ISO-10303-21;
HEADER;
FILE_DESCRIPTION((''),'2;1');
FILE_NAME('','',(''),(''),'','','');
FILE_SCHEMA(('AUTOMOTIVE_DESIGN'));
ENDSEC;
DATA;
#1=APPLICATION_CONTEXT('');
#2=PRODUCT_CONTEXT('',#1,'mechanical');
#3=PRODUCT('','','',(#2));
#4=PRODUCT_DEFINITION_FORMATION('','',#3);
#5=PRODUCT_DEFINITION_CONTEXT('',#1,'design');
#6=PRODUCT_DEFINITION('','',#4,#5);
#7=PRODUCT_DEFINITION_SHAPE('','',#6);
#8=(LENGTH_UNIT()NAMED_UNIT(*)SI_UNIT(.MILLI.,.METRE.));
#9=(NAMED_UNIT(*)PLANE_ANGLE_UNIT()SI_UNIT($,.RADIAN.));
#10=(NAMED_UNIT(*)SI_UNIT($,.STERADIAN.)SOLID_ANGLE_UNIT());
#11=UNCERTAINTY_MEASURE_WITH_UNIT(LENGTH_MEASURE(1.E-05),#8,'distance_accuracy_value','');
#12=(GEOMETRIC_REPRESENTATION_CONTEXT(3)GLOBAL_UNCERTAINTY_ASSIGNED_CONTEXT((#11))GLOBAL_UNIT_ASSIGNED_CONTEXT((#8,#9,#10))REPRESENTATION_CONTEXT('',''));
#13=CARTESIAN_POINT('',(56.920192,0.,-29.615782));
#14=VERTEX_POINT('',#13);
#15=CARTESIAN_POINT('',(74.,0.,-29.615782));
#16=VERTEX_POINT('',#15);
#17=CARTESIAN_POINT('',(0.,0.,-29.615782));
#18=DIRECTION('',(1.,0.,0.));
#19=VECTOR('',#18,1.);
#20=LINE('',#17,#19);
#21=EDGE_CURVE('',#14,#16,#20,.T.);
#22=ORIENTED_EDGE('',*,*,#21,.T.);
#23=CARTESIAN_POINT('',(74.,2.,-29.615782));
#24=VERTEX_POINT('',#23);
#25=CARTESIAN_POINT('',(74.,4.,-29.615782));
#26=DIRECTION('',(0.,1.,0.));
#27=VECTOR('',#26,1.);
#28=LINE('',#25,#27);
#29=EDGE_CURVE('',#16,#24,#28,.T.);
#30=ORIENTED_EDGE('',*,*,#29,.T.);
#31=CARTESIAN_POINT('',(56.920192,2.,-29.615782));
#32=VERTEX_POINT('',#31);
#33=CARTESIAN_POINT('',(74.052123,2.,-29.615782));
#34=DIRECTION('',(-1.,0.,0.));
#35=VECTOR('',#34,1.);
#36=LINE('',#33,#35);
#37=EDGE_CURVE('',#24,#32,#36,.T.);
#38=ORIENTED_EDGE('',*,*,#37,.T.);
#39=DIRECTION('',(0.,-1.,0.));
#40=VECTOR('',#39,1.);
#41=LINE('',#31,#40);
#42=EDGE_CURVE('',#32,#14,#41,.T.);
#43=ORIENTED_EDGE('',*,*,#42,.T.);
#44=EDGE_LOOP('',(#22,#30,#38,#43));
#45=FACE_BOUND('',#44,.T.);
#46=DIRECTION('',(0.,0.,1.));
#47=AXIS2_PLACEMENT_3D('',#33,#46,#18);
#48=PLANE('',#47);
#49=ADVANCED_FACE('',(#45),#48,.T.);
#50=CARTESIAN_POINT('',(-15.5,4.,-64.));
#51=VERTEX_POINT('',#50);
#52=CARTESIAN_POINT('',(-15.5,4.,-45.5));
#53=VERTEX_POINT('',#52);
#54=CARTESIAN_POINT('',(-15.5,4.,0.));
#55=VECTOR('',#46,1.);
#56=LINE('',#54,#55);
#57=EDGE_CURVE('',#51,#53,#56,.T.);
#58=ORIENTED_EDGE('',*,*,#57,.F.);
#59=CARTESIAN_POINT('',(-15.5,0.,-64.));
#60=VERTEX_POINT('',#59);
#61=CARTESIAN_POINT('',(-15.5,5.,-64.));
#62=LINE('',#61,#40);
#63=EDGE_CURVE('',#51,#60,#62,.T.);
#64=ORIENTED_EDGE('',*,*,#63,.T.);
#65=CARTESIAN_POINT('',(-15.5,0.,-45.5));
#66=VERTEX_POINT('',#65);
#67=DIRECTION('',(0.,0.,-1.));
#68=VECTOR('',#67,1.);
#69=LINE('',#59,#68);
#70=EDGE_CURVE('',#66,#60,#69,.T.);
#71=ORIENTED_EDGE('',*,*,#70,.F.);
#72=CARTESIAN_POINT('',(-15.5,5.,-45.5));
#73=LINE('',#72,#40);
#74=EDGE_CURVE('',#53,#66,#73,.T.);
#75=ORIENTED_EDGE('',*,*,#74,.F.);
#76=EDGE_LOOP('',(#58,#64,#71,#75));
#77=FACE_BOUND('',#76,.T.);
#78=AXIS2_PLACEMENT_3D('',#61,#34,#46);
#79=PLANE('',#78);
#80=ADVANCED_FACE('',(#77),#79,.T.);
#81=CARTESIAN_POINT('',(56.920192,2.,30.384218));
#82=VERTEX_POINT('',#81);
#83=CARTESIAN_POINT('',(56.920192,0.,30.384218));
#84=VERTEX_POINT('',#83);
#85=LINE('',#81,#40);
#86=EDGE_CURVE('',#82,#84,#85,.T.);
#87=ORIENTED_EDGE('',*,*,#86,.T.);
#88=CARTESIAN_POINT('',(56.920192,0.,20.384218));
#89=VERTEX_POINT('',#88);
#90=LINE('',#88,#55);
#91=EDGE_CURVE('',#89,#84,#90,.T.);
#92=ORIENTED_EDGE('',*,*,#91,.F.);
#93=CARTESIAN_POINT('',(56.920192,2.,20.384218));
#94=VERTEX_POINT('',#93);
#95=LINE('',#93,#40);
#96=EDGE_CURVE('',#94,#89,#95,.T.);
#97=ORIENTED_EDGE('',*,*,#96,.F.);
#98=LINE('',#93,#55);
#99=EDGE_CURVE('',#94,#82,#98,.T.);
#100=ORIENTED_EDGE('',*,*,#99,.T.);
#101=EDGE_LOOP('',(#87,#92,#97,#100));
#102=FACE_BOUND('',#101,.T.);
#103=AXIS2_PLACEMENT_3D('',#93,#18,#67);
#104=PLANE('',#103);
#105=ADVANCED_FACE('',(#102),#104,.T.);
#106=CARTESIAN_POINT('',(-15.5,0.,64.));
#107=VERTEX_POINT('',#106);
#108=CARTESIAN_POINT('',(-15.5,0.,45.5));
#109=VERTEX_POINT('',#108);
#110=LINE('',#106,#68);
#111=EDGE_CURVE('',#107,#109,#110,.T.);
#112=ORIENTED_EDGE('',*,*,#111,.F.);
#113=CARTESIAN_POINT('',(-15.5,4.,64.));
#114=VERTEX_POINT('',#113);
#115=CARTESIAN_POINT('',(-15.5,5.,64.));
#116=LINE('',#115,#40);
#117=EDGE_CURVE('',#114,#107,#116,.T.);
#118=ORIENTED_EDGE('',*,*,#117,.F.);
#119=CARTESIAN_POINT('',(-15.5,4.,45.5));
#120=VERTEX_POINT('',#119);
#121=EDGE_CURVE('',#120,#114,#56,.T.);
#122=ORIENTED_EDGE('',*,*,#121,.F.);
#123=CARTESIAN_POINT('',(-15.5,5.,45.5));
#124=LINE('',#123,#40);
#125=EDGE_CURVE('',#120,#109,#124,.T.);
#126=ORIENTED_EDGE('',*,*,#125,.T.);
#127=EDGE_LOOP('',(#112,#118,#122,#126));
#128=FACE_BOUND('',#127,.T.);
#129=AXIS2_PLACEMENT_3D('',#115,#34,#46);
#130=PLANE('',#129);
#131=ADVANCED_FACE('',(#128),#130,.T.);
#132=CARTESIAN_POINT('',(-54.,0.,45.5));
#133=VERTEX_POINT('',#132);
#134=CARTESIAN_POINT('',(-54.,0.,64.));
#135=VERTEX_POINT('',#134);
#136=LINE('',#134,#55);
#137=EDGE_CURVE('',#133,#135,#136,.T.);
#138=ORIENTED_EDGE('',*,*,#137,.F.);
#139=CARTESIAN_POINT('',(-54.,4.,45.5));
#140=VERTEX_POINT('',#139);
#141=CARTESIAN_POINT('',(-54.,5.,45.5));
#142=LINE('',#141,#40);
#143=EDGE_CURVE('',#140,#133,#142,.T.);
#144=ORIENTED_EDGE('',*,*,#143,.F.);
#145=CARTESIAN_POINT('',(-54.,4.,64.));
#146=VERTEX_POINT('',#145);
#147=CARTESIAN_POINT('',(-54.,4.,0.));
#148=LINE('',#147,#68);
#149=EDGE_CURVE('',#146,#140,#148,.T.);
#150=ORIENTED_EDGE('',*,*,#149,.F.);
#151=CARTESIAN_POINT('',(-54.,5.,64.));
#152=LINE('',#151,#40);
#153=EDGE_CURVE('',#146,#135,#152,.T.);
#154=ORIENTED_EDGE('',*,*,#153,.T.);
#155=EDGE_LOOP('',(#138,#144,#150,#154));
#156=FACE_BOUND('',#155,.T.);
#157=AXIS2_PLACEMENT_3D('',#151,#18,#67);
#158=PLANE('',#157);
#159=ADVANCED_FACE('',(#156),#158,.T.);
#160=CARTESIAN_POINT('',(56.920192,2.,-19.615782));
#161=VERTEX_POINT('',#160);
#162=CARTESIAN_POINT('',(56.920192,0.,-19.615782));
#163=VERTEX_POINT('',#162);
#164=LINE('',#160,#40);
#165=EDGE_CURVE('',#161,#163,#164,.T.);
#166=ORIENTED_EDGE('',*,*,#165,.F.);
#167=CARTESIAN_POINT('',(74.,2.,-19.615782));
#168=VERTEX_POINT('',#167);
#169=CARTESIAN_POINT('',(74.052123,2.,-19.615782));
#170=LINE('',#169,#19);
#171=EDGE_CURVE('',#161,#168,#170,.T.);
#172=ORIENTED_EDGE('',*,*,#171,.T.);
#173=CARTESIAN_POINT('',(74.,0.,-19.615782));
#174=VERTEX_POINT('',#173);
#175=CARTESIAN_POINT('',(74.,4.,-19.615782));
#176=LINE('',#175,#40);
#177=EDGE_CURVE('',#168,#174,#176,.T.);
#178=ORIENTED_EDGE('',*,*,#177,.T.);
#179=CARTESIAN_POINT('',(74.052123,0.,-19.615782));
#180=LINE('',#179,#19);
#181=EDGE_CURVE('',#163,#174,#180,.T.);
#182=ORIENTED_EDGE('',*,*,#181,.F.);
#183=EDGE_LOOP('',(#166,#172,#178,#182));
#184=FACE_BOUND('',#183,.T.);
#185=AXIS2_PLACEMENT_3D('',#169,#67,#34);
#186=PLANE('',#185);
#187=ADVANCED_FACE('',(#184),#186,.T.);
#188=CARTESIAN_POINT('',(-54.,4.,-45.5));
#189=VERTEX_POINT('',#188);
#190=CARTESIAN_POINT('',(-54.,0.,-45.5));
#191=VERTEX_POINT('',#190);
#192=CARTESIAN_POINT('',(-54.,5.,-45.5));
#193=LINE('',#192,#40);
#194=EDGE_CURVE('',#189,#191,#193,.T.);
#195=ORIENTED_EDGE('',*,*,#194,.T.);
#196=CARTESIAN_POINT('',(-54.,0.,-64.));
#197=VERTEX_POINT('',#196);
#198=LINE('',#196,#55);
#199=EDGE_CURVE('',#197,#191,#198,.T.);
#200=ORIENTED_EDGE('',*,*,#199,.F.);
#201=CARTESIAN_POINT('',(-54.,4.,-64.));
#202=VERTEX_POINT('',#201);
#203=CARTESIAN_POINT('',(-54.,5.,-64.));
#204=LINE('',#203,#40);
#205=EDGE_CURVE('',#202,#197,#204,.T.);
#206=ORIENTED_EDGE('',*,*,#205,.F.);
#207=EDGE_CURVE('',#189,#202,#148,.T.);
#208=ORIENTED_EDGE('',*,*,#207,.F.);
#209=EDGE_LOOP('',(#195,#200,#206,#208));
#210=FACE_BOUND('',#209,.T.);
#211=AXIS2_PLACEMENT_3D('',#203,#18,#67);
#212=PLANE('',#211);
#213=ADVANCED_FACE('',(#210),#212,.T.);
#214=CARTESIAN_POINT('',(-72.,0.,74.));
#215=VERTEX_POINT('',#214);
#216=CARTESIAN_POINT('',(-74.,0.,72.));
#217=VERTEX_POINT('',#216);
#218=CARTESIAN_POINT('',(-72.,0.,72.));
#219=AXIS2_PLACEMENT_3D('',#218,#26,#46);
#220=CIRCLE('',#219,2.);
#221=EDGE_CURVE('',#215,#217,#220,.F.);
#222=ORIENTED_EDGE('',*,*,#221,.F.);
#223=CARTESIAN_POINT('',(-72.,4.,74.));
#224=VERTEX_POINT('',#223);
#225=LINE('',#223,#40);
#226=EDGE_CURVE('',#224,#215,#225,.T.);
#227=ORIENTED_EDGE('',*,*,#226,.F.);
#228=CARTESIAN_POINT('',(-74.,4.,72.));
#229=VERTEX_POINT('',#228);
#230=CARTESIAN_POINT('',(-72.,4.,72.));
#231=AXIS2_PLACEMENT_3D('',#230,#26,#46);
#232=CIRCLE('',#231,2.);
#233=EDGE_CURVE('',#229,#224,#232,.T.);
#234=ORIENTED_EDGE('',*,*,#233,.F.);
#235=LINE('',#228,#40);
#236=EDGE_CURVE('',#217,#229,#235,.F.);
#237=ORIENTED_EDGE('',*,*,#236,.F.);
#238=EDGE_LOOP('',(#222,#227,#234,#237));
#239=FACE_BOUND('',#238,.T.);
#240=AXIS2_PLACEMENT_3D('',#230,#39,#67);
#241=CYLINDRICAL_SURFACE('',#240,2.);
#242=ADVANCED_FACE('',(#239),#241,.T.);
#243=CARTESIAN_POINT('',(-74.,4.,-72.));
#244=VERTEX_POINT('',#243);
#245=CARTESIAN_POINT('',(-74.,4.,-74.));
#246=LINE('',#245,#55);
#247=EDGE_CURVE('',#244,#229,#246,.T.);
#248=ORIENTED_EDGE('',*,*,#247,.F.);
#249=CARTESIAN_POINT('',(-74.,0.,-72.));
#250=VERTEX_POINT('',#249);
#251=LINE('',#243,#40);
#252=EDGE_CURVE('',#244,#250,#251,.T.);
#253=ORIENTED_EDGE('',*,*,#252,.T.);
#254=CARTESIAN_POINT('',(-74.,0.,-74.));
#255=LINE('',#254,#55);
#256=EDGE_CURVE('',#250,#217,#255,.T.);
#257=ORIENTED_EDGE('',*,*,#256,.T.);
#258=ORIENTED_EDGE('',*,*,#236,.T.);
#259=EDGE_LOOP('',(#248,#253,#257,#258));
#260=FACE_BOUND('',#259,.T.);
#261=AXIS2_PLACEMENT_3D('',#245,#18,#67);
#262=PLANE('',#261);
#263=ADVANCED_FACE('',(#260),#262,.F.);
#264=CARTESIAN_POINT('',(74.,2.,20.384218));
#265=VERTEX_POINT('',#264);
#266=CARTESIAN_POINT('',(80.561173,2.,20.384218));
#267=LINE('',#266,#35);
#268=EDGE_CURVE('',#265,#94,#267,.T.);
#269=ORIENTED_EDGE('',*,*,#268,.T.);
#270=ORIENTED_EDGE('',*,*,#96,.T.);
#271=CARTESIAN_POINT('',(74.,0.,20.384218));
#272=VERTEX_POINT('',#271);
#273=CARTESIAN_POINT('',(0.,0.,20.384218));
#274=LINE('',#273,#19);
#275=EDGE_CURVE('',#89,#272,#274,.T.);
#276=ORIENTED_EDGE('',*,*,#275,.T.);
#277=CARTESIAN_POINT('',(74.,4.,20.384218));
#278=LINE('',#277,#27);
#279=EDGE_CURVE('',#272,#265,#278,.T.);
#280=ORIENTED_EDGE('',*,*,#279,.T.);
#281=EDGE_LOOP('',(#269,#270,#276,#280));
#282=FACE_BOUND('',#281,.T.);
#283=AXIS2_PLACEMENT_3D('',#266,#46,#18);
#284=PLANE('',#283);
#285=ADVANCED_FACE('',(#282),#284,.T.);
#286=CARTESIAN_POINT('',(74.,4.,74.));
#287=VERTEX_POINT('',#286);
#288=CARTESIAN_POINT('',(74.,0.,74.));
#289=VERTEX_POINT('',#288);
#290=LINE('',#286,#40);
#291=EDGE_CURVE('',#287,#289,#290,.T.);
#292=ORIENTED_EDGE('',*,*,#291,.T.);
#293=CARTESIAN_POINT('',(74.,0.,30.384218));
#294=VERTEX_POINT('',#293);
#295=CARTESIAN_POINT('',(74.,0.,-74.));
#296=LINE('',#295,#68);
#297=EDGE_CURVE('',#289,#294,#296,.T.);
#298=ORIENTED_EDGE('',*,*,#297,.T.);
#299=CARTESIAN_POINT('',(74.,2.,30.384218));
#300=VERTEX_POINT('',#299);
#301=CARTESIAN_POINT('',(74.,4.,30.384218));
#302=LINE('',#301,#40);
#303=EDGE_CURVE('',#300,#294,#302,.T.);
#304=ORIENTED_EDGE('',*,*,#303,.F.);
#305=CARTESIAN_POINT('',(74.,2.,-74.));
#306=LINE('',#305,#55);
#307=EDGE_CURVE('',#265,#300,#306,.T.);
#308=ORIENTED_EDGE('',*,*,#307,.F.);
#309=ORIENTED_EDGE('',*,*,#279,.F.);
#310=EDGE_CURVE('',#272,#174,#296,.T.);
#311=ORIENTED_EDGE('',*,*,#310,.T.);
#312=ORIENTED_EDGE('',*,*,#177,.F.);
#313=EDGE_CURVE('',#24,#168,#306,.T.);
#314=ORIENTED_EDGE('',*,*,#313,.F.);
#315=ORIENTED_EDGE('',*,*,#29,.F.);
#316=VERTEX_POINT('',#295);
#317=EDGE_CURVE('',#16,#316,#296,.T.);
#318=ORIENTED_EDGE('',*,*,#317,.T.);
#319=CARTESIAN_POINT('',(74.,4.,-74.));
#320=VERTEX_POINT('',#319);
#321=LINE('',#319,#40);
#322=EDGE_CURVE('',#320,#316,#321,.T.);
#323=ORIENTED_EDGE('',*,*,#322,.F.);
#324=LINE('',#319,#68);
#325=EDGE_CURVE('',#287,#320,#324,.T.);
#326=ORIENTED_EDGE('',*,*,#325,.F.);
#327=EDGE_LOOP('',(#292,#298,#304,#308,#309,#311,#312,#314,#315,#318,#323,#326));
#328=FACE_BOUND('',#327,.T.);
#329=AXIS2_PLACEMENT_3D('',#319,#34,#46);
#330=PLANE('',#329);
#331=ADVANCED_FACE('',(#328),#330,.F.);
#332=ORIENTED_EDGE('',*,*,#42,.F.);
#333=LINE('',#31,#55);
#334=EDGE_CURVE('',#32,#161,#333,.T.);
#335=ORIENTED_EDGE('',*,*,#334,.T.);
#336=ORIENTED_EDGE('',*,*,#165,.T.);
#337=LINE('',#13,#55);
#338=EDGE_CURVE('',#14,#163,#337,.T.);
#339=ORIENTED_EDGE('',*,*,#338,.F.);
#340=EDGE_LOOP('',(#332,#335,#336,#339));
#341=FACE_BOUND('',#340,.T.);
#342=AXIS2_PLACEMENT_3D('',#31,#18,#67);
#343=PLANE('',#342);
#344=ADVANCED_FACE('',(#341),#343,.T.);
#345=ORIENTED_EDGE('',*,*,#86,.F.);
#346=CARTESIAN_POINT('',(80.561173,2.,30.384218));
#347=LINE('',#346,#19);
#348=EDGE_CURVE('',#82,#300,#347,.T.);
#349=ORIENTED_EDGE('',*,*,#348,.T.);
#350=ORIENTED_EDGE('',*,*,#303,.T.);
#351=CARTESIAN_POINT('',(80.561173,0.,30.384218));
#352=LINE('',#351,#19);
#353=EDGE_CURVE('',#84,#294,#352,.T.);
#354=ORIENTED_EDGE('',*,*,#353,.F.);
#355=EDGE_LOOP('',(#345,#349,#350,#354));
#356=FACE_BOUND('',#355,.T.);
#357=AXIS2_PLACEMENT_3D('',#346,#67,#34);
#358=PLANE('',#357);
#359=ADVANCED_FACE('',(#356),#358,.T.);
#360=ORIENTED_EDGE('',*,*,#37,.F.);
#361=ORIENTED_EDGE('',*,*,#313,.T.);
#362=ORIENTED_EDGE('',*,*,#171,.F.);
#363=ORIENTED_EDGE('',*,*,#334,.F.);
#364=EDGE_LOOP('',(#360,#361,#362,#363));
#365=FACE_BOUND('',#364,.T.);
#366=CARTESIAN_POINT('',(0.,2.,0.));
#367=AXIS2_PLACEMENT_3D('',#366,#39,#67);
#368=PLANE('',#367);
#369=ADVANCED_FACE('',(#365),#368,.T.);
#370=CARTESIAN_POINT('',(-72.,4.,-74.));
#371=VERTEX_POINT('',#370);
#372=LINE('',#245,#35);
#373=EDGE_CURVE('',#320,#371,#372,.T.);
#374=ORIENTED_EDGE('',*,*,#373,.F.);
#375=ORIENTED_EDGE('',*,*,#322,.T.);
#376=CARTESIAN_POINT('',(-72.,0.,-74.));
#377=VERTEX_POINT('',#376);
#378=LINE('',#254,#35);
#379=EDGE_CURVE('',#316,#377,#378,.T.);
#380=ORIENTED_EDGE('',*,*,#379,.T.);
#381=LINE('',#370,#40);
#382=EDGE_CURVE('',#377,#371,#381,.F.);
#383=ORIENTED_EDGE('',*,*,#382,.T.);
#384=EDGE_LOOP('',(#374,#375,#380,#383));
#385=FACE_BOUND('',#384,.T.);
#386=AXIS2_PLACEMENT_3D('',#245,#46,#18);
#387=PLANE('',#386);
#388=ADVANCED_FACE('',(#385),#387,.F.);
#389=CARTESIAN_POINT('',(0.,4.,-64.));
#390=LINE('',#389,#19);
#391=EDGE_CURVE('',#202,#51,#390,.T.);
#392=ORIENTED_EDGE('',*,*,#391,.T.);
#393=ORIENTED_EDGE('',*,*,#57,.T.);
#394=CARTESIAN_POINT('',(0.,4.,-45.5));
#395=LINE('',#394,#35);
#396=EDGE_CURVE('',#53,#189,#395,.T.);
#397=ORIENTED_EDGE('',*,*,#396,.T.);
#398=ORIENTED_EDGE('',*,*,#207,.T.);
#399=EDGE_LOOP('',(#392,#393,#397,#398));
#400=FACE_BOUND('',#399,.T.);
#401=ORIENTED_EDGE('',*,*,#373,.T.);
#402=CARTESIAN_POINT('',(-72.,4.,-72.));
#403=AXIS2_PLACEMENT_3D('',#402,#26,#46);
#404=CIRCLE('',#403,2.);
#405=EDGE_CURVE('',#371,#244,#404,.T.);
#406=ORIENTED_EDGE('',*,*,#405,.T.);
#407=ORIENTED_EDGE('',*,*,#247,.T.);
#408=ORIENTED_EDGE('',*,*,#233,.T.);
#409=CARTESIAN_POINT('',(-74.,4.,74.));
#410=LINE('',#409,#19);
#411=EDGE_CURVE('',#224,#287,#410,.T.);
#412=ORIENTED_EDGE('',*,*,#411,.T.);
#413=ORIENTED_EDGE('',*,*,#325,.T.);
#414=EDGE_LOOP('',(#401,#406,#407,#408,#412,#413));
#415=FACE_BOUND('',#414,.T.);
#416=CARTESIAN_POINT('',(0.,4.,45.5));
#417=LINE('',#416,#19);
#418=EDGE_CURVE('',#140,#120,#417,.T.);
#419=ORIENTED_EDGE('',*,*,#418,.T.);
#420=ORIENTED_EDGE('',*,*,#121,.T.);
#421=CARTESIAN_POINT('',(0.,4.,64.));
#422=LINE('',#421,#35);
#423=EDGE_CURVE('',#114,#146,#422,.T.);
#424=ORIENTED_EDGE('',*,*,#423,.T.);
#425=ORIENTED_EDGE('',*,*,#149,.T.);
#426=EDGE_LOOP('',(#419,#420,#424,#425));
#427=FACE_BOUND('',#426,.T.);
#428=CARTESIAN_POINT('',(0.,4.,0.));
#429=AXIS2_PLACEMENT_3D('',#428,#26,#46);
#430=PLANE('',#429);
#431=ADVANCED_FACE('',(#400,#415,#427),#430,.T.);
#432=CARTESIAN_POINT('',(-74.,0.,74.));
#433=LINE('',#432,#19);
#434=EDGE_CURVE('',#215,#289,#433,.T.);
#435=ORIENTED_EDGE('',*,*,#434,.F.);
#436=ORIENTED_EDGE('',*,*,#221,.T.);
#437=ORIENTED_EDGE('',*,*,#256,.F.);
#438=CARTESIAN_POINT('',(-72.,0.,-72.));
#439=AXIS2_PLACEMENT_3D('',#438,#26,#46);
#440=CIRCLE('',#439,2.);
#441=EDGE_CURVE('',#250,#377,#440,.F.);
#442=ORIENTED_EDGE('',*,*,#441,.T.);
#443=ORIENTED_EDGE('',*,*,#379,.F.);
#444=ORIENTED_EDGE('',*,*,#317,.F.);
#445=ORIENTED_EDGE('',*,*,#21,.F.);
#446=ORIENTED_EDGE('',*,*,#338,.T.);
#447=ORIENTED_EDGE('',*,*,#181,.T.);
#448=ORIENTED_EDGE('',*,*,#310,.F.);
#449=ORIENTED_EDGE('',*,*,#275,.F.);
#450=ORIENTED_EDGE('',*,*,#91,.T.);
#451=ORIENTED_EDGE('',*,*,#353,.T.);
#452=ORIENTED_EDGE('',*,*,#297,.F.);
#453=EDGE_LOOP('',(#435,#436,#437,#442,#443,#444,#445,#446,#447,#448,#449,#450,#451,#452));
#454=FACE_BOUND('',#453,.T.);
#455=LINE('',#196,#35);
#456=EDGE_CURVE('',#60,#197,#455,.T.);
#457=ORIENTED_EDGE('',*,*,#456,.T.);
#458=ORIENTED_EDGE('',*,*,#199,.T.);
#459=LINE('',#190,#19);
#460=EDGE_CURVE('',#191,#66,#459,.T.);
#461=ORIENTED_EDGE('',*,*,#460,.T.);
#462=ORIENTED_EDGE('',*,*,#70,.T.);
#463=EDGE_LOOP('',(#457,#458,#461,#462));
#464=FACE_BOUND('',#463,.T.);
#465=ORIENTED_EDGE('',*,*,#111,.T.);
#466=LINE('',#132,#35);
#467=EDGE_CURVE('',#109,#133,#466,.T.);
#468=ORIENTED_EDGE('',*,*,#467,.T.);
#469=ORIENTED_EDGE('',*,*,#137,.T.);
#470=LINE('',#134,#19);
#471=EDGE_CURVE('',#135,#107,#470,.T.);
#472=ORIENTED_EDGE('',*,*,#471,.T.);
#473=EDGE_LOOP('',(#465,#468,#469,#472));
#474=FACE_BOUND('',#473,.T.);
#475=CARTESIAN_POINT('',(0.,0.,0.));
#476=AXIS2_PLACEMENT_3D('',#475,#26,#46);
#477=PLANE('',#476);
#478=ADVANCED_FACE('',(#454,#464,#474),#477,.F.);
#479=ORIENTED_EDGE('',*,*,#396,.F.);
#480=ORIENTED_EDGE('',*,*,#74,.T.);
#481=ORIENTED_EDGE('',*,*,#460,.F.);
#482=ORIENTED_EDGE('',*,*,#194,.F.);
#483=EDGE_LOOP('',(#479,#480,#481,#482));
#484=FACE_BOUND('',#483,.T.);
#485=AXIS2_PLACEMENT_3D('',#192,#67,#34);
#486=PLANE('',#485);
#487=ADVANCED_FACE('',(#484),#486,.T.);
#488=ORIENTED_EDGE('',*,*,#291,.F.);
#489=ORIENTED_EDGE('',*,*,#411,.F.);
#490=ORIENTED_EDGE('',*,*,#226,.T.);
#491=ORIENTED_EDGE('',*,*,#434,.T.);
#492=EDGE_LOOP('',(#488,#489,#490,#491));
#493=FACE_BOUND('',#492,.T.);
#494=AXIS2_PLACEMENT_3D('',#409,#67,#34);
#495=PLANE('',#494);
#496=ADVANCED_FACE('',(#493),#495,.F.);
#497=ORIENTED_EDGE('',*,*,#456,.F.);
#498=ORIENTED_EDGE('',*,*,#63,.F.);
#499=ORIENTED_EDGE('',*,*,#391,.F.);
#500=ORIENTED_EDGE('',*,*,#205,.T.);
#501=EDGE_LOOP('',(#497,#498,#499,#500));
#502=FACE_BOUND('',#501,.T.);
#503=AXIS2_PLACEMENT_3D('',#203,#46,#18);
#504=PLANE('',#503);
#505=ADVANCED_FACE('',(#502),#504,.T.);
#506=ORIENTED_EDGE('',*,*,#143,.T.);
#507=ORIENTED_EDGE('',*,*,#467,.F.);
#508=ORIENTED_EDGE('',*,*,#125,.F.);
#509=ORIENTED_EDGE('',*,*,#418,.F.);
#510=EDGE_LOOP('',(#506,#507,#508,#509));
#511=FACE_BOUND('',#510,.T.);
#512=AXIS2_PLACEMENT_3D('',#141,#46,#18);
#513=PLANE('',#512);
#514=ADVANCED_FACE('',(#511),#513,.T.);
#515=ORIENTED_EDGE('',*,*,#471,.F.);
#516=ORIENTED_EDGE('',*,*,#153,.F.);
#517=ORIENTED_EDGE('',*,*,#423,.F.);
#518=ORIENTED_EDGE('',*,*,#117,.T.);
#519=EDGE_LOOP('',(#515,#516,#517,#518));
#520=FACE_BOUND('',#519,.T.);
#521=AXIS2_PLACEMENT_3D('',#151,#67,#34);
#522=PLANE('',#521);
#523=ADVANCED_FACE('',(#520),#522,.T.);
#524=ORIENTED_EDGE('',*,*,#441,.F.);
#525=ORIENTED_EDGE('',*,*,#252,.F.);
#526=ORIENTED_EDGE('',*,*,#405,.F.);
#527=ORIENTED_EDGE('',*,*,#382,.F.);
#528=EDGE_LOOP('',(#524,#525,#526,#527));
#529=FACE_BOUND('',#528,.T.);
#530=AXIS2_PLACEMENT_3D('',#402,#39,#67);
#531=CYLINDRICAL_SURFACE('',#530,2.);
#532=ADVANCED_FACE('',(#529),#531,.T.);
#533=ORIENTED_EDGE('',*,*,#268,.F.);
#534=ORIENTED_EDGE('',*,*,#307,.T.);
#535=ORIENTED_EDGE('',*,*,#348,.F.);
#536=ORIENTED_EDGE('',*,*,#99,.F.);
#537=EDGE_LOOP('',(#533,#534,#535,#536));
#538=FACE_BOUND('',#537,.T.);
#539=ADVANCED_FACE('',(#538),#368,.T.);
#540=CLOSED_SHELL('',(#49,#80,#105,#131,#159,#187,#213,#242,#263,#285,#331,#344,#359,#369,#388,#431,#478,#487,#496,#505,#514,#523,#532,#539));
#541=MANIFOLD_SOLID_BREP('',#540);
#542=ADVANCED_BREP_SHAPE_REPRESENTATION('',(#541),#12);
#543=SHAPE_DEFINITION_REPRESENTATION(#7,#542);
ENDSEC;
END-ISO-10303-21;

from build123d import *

# Parameters (mm, degrees)
ESQUISSE1_W              = 148
ESQUISSE1_H              = 148
BOSS_EXTRU_1_DEPTH       = 4
CONG_1_R                 = 2
ESQUISSE12_W             = 23.640980831
ESQUISSE12_H             = 10
ESQUISSE12_W_2           = 17.131931469
ENL_V_MAT_EXTRU_12_DEPTH = 2
ESQUISSE13_W             = 38.5
ESQUISSE13_H             = 18.5
ENL_V_MAT_EXTRU_13_DEPTH = 5


with BuildPart() as part:
    # Esquisse1 → Boss.-Extru.1 (new body)
    with BuildSketch(Plane(origin=(0, 0, 0), x_dir=(1, 0, 0), z_dir=(0, 1, 0))):
        Rectangle(ESQUISSE1_W, ESQUISSE1_H)
    extrude(amount=BOSS_EXTRU_1_DEPTH)

    # Congé1
    cong_1_edges = [part.edges().sort_by_distance(p)[0] for p in [
        (-74, 2, 74),
        (-74, 2, -74),
    ]]
    fillet(cong_1_edges, radius=CONG_1_R)

    # Esquisse12 → Enlèv. mat.-Extru.12 (cut)
    with BuildSketch(Plane(origin=(0, 0, 0), x_dir=(1, 0, 0), z_dir=(0, 1, 0))):
        with Locations((68.740682109, -25.384218458)):
            Rectangle(ESQUISSE12_W, ESQUISSE12_H)
        with Locations((65.486157429, 24.615781542)):
            Rectangle(ESQUISSE12_W_2, ESQUISSE12_H)
    extrude(amount=ENL_V_MAT_EXTRU_12_DEPTH, mode=Mode.SUBTRACT)

    # Esquisse13 → Enlèv. mat.-Extru.13 (cut)
    with BuildSketch(Plane(origin=(0, 0, 0), x_dir=(1, 0, 0), z_dir=(0, 1, 0))):
        with Locations((-34.75, -54.75)):
            Rectangle(ESQUISSE13_W, ESQUISSE13_H)
        with Locations((-34.75, 54.75)):
            Rectangle(ESQUISSE13_W, ESQUISSE13_H)
    extrude(amount=ENL_V_MAT_EXTRU_13_DEPTH, mode=Mode.SUBTRACT)


solid = part.part
